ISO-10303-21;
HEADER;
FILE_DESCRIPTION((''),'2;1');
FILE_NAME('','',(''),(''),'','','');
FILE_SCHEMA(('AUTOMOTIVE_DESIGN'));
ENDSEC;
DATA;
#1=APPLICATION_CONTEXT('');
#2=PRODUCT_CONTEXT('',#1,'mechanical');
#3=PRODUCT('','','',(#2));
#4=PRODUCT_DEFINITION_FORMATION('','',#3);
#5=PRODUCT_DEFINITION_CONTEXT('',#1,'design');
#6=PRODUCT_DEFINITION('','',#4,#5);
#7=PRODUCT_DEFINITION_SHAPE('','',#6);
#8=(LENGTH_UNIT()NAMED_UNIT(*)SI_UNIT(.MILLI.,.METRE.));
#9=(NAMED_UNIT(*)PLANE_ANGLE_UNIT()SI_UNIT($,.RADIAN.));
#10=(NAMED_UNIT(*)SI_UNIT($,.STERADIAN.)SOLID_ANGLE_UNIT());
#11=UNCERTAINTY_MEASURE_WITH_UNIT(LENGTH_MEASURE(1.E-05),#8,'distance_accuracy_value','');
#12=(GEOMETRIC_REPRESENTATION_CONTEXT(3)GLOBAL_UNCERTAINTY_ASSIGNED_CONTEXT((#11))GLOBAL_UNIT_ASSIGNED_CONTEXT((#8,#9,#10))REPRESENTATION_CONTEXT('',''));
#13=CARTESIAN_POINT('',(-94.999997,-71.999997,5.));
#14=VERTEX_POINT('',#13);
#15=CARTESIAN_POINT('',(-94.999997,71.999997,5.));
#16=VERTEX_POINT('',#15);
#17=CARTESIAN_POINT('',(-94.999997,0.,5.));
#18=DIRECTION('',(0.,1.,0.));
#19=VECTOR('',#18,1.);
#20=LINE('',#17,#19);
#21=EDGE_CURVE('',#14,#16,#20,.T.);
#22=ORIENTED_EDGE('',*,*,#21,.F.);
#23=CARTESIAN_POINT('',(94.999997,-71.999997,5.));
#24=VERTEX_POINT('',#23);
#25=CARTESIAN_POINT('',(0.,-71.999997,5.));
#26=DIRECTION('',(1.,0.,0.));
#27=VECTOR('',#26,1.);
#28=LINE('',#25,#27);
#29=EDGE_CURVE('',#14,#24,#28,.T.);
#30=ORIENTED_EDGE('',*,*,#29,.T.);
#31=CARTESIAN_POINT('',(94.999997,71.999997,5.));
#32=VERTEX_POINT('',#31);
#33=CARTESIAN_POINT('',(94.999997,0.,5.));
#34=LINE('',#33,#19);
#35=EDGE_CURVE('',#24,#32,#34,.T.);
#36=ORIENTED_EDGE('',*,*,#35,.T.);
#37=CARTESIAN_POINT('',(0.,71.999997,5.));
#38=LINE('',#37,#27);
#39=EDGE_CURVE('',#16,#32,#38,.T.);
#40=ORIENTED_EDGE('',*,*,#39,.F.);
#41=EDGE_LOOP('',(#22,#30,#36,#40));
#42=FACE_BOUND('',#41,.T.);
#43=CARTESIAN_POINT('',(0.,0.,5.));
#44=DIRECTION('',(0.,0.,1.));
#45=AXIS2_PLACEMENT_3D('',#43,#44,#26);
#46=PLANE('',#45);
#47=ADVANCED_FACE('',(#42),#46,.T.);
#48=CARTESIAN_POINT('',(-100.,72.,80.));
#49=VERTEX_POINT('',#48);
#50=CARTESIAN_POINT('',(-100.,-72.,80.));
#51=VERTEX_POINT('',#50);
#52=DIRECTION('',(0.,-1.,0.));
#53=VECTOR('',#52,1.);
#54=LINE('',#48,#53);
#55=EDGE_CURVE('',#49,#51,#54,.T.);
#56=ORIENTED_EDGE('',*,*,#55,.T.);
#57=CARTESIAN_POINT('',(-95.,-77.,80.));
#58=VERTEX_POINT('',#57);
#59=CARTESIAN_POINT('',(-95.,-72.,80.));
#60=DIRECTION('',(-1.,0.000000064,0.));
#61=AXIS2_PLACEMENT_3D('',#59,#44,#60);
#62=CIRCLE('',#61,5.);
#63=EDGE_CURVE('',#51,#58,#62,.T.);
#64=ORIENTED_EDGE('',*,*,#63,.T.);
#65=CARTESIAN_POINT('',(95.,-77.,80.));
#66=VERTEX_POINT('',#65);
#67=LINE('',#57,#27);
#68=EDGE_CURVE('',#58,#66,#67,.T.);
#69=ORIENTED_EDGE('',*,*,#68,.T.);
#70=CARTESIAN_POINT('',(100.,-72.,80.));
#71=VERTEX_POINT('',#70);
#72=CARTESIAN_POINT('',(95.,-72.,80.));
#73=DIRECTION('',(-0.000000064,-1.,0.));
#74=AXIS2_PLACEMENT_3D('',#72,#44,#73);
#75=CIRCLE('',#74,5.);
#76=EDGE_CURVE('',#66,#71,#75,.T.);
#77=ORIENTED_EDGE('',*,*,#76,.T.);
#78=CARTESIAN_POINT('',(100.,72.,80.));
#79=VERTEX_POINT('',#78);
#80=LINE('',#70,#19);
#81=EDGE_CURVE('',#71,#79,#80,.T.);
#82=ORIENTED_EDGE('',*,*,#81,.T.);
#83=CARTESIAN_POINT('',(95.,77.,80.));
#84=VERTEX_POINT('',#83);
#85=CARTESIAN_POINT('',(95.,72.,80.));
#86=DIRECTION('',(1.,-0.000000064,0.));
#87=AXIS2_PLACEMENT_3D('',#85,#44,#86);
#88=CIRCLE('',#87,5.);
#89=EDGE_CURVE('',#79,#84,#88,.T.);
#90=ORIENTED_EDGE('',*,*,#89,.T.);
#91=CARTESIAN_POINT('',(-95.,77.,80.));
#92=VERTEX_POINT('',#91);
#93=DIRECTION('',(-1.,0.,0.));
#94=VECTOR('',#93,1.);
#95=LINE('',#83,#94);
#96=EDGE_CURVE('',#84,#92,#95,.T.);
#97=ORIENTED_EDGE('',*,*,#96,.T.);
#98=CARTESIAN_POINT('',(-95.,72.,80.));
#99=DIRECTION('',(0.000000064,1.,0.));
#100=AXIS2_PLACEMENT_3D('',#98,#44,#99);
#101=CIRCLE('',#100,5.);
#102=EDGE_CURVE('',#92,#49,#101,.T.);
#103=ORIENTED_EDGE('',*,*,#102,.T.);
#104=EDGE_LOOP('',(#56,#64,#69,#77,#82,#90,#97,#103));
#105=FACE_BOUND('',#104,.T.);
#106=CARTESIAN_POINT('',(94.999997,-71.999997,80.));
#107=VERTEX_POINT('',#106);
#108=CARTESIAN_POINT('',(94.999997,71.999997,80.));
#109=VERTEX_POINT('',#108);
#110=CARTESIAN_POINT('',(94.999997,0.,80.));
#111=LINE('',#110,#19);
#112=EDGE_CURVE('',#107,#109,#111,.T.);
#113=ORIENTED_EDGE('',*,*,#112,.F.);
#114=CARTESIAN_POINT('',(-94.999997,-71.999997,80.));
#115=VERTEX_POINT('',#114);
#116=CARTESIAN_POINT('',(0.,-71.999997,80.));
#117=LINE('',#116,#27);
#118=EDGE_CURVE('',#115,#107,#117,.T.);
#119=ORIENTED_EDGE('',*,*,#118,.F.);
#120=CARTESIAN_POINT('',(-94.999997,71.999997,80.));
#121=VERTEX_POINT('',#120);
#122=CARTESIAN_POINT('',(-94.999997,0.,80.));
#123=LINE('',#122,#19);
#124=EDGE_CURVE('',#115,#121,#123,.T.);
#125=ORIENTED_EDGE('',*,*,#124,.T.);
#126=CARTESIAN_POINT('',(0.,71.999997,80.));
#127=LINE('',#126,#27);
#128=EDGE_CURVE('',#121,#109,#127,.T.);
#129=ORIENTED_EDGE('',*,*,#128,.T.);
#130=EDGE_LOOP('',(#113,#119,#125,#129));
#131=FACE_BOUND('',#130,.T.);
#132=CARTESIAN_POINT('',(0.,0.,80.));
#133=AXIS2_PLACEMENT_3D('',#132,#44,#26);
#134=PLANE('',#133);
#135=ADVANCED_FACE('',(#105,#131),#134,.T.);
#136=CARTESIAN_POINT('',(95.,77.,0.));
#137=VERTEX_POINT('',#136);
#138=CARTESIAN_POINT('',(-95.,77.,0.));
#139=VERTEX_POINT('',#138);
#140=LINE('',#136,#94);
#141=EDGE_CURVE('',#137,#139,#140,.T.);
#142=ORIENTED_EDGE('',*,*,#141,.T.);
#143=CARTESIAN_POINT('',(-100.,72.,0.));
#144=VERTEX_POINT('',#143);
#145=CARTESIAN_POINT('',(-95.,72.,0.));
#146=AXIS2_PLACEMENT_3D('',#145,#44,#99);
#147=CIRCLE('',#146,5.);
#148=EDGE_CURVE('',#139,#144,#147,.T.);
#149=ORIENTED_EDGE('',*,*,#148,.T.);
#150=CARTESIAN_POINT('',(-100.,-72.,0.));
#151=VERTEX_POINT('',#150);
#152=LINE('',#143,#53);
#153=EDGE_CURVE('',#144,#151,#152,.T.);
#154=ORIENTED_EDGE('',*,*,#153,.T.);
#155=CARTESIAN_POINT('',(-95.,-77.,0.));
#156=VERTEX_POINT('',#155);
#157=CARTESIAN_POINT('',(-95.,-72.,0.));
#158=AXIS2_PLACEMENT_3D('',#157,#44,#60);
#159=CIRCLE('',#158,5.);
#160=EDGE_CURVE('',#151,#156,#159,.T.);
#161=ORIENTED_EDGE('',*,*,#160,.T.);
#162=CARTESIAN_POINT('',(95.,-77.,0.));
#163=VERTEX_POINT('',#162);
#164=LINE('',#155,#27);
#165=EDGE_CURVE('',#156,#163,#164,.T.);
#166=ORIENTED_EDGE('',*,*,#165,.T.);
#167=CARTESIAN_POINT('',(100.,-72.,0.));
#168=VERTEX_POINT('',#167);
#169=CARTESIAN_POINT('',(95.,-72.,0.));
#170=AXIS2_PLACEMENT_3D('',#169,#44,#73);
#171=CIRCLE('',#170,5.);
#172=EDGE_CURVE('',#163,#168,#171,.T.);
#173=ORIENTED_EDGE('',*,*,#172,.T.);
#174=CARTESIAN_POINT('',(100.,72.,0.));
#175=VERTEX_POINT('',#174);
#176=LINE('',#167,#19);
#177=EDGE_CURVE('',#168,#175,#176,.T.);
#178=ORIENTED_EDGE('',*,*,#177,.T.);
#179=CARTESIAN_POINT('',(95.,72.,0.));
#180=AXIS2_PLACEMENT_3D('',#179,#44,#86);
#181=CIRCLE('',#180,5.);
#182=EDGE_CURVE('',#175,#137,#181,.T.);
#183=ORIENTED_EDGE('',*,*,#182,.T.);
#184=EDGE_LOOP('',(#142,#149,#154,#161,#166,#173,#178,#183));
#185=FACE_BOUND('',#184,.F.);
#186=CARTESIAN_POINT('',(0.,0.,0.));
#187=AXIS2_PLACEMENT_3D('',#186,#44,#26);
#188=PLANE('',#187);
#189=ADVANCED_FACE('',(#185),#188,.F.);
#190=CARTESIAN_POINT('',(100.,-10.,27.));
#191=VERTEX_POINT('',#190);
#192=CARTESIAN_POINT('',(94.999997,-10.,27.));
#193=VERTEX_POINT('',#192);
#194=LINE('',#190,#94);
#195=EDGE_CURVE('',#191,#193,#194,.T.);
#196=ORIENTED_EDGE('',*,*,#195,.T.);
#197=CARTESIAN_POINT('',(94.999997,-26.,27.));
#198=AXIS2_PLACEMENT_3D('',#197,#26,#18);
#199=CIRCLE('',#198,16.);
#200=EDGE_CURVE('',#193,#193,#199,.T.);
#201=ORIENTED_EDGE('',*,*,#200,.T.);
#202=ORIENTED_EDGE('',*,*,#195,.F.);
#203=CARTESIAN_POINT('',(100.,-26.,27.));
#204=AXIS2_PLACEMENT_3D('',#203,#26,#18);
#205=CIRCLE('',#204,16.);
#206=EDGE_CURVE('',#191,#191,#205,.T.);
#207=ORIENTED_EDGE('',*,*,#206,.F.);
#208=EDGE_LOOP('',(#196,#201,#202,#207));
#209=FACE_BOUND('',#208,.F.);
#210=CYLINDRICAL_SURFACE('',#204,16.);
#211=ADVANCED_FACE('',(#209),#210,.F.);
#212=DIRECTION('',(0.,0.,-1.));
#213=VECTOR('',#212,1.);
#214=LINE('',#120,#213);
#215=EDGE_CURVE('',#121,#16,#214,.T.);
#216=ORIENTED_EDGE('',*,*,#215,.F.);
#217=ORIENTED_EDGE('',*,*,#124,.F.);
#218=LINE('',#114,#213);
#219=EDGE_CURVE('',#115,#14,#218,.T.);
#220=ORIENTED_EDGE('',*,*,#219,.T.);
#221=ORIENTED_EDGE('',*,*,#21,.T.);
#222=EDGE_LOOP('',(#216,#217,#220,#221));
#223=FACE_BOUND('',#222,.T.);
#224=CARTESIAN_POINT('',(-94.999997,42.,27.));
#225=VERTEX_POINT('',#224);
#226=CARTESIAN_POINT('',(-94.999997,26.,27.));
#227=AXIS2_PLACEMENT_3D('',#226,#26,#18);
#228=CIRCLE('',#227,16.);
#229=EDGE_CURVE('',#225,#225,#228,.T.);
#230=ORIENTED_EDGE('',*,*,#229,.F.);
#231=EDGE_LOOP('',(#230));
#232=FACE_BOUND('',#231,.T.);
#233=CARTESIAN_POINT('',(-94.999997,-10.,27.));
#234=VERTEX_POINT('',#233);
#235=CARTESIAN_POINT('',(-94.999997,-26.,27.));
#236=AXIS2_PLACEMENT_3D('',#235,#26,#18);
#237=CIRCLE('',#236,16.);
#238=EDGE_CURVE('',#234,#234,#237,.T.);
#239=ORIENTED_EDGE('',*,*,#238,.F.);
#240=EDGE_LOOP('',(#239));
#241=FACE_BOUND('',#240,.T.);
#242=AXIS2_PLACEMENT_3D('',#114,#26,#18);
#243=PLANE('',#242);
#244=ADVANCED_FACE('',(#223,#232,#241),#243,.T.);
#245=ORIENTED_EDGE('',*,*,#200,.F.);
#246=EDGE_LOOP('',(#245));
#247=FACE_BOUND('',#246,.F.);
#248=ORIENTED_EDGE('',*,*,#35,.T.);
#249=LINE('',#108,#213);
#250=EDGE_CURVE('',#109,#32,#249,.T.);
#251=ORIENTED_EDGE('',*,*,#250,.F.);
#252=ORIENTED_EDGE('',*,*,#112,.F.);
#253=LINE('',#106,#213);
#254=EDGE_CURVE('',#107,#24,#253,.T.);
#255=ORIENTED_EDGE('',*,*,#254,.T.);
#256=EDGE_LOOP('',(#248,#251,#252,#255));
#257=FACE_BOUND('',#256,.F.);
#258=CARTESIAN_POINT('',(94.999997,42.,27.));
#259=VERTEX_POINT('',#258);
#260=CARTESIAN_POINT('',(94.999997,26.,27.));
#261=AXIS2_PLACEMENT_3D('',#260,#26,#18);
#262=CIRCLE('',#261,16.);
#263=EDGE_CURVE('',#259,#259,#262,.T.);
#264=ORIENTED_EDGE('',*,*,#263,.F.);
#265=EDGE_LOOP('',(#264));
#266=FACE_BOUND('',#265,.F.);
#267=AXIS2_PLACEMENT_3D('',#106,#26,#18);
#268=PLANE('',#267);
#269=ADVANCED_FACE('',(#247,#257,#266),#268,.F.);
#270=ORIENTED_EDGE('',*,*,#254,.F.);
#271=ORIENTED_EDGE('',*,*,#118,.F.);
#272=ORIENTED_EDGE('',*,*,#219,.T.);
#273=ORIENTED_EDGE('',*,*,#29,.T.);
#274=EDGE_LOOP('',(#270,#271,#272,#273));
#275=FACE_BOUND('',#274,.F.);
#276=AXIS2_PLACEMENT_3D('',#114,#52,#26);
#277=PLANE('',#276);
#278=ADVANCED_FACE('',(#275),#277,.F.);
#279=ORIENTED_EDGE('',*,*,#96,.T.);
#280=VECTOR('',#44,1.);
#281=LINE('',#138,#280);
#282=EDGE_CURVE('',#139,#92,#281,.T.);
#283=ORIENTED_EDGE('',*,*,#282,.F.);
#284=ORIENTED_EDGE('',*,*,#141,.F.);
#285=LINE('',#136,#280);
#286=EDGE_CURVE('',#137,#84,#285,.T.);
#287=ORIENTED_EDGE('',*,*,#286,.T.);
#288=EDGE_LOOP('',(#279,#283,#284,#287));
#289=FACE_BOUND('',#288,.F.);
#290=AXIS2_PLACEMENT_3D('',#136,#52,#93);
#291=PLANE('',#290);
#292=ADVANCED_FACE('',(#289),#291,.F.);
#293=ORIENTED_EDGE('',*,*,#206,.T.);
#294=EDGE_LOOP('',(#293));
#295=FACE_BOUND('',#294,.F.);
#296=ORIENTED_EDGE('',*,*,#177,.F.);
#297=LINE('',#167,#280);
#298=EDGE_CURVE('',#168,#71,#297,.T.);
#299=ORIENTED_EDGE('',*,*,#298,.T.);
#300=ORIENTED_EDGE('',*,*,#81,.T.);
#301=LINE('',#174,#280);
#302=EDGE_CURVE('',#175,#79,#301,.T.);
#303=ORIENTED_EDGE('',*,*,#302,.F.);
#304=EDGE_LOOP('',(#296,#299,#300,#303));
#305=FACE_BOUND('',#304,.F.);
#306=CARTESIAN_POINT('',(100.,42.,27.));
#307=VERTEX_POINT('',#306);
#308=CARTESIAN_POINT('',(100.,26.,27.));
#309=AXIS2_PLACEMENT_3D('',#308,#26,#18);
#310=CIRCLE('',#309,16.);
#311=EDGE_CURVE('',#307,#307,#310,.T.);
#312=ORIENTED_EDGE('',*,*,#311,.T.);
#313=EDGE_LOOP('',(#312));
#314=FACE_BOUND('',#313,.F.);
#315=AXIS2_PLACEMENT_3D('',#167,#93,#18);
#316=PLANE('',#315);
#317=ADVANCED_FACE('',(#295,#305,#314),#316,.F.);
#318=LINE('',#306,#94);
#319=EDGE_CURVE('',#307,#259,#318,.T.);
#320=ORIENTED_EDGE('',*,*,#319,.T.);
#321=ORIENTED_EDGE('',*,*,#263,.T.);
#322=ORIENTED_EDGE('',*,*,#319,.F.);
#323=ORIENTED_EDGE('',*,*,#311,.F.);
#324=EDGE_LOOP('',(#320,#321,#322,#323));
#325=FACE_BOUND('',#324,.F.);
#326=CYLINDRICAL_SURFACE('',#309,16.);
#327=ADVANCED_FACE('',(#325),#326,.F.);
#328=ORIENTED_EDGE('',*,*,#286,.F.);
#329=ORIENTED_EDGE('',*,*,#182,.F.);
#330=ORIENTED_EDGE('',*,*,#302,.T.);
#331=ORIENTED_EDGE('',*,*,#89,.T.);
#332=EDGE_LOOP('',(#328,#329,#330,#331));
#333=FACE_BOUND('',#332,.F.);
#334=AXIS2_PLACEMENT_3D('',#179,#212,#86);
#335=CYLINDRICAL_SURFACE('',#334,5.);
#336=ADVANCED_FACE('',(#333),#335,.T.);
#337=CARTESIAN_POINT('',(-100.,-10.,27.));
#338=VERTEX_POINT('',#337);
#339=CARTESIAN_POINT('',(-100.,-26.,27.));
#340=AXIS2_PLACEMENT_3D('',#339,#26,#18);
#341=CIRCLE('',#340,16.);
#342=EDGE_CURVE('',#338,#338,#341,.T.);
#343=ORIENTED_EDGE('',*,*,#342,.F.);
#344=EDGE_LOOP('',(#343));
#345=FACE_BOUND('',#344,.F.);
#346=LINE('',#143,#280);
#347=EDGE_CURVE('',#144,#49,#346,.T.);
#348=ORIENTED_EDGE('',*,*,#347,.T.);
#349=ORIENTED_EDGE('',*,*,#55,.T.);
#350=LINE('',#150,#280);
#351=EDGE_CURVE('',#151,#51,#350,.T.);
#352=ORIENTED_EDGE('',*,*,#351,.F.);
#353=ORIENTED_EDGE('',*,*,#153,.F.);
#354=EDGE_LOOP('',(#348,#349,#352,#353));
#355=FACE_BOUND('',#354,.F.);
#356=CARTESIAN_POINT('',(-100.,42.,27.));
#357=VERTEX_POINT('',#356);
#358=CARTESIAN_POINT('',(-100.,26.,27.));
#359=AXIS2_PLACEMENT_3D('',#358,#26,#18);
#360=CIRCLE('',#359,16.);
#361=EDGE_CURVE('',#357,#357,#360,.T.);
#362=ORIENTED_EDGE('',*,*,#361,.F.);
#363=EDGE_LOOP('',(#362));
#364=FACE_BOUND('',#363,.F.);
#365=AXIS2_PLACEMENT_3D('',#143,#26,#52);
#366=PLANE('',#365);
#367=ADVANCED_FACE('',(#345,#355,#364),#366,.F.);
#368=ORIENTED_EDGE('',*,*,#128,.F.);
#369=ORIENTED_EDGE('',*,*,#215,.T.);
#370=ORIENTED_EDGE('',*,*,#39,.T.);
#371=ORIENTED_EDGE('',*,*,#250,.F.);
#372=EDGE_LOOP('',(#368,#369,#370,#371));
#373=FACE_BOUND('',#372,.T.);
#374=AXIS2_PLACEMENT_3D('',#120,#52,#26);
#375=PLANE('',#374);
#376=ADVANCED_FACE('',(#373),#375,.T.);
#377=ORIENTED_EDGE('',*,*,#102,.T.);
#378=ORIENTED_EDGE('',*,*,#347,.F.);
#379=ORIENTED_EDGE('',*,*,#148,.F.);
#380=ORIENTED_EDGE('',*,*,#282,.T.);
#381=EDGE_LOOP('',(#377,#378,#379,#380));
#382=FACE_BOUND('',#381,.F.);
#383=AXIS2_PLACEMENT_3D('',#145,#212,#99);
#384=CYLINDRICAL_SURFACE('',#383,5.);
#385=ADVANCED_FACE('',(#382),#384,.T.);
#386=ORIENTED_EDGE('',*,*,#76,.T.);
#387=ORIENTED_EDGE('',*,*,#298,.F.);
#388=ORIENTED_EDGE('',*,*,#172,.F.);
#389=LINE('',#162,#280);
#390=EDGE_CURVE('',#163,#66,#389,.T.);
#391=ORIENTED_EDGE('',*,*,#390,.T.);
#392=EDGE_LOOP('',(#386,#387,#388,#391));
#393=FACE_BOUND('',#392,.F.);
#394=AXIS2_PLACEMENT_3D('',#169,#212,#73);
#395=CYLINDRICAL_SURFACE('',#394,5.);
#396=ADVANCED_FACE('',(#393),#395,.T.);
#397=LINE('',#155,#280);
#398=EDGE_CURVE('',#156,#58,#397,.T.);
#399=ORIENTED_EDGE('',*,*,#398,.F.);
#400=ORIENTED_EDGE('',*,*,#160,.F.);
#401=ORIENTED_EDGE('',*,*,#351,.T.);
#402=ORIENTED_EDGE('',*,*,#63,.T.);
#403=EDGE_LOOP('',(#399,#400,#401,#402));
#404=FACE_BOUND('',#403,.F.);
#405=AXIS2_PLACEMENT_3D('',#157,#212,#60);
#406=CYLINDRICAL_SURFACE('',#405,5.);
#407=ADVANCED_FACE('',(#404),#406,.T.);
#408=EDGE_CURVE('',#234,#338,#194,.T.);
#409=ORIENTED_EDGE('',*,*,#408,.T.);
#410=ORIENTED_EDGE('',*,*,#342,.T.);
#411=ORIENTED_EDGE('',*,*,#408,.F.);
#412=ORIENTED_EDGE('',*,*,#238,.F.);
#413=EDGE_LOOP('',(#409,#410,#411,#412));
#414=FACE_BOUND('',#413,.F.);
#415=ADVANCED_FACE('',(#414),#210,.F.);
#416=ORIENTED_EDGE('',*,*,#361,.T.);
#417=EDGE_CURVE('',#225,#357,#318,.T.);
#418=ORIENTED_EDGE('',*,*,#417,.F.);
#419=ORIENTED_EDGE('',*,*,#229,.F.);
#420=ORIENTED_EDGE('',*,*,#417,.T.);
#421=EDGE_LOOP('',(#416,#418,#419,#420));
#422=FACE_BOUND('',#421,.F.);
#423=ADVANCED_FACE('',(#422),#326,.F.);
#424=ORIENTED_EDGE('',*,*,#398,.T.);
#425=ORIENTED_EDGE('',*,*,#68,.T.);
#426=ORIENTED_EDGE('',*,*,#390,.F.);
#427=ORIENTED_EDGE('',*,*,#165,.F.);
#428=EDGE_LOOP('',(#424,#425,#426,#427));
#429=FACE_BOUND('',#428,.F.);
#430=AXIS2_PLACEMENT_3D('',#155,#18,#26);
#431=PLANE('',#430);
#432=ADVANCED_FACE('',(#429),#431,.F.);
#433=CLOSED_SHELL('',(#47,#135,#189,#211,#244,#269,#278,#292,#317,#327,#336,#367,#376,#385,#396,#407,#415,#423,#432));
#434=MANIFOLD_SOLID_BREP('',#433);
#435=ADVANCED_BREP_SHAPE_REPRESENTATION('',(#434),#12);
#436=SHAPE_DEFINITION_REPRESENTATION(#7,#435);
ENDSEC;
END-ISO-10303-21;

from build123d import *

# Parameters (mm, degrees)
F1_DEPTH = 80
F2_W     = 189.999994
F2_H     = 143.999994
F3_DEPTH = 75
F4_R     = 16
F5_DEPTH = 200.001


with BuildPart() as f1:
    # F0 (on Top) → F1 (new body)
    with BuildSketch(Plane.XY):
        with BuildLine():
            ThreePointArc((100, 72), (98.535534, 75.535534), (95, 77))
            Line((95, 77), (-95, 77))
            ThreePointArc((-95, 77), (-98.535534, 75.535534), (-100, 72))
            Line((-100, 72), (-100, -72))
            ThreePointArc((-100, -72), (-98.535534, -75.535534), (-95, -77))
            Line((-95, -77), (95, -77))
            ThreePointArc((95, -77), (98.535534, -75.535534), (100, -72))
            Line((100, -72), (100, 72))
        make_face()
    extrude(amount=F1_DEPTH)

    # F2 (on face) → F3 (cut)
    with BuildSketch(Plane.XY.offset(80)):
        Rectangle(F2_W, F2_H)
    extrude(amount=-F3_DEPTH, mode=Mode.SUBTRACT)

    # F4 (on face) → F5 (cut, through all)
    with BuildSketch(Plane.YZ.offset(100)):
        with Locations((26, 27)):
            Circle(F4_R)
        with Locations((-26, 27)):
            Circle(F4_R)
    extrude(amount=-F5_DEPTH, mode=Mode.SUBTRACT)


solid = f1.part
